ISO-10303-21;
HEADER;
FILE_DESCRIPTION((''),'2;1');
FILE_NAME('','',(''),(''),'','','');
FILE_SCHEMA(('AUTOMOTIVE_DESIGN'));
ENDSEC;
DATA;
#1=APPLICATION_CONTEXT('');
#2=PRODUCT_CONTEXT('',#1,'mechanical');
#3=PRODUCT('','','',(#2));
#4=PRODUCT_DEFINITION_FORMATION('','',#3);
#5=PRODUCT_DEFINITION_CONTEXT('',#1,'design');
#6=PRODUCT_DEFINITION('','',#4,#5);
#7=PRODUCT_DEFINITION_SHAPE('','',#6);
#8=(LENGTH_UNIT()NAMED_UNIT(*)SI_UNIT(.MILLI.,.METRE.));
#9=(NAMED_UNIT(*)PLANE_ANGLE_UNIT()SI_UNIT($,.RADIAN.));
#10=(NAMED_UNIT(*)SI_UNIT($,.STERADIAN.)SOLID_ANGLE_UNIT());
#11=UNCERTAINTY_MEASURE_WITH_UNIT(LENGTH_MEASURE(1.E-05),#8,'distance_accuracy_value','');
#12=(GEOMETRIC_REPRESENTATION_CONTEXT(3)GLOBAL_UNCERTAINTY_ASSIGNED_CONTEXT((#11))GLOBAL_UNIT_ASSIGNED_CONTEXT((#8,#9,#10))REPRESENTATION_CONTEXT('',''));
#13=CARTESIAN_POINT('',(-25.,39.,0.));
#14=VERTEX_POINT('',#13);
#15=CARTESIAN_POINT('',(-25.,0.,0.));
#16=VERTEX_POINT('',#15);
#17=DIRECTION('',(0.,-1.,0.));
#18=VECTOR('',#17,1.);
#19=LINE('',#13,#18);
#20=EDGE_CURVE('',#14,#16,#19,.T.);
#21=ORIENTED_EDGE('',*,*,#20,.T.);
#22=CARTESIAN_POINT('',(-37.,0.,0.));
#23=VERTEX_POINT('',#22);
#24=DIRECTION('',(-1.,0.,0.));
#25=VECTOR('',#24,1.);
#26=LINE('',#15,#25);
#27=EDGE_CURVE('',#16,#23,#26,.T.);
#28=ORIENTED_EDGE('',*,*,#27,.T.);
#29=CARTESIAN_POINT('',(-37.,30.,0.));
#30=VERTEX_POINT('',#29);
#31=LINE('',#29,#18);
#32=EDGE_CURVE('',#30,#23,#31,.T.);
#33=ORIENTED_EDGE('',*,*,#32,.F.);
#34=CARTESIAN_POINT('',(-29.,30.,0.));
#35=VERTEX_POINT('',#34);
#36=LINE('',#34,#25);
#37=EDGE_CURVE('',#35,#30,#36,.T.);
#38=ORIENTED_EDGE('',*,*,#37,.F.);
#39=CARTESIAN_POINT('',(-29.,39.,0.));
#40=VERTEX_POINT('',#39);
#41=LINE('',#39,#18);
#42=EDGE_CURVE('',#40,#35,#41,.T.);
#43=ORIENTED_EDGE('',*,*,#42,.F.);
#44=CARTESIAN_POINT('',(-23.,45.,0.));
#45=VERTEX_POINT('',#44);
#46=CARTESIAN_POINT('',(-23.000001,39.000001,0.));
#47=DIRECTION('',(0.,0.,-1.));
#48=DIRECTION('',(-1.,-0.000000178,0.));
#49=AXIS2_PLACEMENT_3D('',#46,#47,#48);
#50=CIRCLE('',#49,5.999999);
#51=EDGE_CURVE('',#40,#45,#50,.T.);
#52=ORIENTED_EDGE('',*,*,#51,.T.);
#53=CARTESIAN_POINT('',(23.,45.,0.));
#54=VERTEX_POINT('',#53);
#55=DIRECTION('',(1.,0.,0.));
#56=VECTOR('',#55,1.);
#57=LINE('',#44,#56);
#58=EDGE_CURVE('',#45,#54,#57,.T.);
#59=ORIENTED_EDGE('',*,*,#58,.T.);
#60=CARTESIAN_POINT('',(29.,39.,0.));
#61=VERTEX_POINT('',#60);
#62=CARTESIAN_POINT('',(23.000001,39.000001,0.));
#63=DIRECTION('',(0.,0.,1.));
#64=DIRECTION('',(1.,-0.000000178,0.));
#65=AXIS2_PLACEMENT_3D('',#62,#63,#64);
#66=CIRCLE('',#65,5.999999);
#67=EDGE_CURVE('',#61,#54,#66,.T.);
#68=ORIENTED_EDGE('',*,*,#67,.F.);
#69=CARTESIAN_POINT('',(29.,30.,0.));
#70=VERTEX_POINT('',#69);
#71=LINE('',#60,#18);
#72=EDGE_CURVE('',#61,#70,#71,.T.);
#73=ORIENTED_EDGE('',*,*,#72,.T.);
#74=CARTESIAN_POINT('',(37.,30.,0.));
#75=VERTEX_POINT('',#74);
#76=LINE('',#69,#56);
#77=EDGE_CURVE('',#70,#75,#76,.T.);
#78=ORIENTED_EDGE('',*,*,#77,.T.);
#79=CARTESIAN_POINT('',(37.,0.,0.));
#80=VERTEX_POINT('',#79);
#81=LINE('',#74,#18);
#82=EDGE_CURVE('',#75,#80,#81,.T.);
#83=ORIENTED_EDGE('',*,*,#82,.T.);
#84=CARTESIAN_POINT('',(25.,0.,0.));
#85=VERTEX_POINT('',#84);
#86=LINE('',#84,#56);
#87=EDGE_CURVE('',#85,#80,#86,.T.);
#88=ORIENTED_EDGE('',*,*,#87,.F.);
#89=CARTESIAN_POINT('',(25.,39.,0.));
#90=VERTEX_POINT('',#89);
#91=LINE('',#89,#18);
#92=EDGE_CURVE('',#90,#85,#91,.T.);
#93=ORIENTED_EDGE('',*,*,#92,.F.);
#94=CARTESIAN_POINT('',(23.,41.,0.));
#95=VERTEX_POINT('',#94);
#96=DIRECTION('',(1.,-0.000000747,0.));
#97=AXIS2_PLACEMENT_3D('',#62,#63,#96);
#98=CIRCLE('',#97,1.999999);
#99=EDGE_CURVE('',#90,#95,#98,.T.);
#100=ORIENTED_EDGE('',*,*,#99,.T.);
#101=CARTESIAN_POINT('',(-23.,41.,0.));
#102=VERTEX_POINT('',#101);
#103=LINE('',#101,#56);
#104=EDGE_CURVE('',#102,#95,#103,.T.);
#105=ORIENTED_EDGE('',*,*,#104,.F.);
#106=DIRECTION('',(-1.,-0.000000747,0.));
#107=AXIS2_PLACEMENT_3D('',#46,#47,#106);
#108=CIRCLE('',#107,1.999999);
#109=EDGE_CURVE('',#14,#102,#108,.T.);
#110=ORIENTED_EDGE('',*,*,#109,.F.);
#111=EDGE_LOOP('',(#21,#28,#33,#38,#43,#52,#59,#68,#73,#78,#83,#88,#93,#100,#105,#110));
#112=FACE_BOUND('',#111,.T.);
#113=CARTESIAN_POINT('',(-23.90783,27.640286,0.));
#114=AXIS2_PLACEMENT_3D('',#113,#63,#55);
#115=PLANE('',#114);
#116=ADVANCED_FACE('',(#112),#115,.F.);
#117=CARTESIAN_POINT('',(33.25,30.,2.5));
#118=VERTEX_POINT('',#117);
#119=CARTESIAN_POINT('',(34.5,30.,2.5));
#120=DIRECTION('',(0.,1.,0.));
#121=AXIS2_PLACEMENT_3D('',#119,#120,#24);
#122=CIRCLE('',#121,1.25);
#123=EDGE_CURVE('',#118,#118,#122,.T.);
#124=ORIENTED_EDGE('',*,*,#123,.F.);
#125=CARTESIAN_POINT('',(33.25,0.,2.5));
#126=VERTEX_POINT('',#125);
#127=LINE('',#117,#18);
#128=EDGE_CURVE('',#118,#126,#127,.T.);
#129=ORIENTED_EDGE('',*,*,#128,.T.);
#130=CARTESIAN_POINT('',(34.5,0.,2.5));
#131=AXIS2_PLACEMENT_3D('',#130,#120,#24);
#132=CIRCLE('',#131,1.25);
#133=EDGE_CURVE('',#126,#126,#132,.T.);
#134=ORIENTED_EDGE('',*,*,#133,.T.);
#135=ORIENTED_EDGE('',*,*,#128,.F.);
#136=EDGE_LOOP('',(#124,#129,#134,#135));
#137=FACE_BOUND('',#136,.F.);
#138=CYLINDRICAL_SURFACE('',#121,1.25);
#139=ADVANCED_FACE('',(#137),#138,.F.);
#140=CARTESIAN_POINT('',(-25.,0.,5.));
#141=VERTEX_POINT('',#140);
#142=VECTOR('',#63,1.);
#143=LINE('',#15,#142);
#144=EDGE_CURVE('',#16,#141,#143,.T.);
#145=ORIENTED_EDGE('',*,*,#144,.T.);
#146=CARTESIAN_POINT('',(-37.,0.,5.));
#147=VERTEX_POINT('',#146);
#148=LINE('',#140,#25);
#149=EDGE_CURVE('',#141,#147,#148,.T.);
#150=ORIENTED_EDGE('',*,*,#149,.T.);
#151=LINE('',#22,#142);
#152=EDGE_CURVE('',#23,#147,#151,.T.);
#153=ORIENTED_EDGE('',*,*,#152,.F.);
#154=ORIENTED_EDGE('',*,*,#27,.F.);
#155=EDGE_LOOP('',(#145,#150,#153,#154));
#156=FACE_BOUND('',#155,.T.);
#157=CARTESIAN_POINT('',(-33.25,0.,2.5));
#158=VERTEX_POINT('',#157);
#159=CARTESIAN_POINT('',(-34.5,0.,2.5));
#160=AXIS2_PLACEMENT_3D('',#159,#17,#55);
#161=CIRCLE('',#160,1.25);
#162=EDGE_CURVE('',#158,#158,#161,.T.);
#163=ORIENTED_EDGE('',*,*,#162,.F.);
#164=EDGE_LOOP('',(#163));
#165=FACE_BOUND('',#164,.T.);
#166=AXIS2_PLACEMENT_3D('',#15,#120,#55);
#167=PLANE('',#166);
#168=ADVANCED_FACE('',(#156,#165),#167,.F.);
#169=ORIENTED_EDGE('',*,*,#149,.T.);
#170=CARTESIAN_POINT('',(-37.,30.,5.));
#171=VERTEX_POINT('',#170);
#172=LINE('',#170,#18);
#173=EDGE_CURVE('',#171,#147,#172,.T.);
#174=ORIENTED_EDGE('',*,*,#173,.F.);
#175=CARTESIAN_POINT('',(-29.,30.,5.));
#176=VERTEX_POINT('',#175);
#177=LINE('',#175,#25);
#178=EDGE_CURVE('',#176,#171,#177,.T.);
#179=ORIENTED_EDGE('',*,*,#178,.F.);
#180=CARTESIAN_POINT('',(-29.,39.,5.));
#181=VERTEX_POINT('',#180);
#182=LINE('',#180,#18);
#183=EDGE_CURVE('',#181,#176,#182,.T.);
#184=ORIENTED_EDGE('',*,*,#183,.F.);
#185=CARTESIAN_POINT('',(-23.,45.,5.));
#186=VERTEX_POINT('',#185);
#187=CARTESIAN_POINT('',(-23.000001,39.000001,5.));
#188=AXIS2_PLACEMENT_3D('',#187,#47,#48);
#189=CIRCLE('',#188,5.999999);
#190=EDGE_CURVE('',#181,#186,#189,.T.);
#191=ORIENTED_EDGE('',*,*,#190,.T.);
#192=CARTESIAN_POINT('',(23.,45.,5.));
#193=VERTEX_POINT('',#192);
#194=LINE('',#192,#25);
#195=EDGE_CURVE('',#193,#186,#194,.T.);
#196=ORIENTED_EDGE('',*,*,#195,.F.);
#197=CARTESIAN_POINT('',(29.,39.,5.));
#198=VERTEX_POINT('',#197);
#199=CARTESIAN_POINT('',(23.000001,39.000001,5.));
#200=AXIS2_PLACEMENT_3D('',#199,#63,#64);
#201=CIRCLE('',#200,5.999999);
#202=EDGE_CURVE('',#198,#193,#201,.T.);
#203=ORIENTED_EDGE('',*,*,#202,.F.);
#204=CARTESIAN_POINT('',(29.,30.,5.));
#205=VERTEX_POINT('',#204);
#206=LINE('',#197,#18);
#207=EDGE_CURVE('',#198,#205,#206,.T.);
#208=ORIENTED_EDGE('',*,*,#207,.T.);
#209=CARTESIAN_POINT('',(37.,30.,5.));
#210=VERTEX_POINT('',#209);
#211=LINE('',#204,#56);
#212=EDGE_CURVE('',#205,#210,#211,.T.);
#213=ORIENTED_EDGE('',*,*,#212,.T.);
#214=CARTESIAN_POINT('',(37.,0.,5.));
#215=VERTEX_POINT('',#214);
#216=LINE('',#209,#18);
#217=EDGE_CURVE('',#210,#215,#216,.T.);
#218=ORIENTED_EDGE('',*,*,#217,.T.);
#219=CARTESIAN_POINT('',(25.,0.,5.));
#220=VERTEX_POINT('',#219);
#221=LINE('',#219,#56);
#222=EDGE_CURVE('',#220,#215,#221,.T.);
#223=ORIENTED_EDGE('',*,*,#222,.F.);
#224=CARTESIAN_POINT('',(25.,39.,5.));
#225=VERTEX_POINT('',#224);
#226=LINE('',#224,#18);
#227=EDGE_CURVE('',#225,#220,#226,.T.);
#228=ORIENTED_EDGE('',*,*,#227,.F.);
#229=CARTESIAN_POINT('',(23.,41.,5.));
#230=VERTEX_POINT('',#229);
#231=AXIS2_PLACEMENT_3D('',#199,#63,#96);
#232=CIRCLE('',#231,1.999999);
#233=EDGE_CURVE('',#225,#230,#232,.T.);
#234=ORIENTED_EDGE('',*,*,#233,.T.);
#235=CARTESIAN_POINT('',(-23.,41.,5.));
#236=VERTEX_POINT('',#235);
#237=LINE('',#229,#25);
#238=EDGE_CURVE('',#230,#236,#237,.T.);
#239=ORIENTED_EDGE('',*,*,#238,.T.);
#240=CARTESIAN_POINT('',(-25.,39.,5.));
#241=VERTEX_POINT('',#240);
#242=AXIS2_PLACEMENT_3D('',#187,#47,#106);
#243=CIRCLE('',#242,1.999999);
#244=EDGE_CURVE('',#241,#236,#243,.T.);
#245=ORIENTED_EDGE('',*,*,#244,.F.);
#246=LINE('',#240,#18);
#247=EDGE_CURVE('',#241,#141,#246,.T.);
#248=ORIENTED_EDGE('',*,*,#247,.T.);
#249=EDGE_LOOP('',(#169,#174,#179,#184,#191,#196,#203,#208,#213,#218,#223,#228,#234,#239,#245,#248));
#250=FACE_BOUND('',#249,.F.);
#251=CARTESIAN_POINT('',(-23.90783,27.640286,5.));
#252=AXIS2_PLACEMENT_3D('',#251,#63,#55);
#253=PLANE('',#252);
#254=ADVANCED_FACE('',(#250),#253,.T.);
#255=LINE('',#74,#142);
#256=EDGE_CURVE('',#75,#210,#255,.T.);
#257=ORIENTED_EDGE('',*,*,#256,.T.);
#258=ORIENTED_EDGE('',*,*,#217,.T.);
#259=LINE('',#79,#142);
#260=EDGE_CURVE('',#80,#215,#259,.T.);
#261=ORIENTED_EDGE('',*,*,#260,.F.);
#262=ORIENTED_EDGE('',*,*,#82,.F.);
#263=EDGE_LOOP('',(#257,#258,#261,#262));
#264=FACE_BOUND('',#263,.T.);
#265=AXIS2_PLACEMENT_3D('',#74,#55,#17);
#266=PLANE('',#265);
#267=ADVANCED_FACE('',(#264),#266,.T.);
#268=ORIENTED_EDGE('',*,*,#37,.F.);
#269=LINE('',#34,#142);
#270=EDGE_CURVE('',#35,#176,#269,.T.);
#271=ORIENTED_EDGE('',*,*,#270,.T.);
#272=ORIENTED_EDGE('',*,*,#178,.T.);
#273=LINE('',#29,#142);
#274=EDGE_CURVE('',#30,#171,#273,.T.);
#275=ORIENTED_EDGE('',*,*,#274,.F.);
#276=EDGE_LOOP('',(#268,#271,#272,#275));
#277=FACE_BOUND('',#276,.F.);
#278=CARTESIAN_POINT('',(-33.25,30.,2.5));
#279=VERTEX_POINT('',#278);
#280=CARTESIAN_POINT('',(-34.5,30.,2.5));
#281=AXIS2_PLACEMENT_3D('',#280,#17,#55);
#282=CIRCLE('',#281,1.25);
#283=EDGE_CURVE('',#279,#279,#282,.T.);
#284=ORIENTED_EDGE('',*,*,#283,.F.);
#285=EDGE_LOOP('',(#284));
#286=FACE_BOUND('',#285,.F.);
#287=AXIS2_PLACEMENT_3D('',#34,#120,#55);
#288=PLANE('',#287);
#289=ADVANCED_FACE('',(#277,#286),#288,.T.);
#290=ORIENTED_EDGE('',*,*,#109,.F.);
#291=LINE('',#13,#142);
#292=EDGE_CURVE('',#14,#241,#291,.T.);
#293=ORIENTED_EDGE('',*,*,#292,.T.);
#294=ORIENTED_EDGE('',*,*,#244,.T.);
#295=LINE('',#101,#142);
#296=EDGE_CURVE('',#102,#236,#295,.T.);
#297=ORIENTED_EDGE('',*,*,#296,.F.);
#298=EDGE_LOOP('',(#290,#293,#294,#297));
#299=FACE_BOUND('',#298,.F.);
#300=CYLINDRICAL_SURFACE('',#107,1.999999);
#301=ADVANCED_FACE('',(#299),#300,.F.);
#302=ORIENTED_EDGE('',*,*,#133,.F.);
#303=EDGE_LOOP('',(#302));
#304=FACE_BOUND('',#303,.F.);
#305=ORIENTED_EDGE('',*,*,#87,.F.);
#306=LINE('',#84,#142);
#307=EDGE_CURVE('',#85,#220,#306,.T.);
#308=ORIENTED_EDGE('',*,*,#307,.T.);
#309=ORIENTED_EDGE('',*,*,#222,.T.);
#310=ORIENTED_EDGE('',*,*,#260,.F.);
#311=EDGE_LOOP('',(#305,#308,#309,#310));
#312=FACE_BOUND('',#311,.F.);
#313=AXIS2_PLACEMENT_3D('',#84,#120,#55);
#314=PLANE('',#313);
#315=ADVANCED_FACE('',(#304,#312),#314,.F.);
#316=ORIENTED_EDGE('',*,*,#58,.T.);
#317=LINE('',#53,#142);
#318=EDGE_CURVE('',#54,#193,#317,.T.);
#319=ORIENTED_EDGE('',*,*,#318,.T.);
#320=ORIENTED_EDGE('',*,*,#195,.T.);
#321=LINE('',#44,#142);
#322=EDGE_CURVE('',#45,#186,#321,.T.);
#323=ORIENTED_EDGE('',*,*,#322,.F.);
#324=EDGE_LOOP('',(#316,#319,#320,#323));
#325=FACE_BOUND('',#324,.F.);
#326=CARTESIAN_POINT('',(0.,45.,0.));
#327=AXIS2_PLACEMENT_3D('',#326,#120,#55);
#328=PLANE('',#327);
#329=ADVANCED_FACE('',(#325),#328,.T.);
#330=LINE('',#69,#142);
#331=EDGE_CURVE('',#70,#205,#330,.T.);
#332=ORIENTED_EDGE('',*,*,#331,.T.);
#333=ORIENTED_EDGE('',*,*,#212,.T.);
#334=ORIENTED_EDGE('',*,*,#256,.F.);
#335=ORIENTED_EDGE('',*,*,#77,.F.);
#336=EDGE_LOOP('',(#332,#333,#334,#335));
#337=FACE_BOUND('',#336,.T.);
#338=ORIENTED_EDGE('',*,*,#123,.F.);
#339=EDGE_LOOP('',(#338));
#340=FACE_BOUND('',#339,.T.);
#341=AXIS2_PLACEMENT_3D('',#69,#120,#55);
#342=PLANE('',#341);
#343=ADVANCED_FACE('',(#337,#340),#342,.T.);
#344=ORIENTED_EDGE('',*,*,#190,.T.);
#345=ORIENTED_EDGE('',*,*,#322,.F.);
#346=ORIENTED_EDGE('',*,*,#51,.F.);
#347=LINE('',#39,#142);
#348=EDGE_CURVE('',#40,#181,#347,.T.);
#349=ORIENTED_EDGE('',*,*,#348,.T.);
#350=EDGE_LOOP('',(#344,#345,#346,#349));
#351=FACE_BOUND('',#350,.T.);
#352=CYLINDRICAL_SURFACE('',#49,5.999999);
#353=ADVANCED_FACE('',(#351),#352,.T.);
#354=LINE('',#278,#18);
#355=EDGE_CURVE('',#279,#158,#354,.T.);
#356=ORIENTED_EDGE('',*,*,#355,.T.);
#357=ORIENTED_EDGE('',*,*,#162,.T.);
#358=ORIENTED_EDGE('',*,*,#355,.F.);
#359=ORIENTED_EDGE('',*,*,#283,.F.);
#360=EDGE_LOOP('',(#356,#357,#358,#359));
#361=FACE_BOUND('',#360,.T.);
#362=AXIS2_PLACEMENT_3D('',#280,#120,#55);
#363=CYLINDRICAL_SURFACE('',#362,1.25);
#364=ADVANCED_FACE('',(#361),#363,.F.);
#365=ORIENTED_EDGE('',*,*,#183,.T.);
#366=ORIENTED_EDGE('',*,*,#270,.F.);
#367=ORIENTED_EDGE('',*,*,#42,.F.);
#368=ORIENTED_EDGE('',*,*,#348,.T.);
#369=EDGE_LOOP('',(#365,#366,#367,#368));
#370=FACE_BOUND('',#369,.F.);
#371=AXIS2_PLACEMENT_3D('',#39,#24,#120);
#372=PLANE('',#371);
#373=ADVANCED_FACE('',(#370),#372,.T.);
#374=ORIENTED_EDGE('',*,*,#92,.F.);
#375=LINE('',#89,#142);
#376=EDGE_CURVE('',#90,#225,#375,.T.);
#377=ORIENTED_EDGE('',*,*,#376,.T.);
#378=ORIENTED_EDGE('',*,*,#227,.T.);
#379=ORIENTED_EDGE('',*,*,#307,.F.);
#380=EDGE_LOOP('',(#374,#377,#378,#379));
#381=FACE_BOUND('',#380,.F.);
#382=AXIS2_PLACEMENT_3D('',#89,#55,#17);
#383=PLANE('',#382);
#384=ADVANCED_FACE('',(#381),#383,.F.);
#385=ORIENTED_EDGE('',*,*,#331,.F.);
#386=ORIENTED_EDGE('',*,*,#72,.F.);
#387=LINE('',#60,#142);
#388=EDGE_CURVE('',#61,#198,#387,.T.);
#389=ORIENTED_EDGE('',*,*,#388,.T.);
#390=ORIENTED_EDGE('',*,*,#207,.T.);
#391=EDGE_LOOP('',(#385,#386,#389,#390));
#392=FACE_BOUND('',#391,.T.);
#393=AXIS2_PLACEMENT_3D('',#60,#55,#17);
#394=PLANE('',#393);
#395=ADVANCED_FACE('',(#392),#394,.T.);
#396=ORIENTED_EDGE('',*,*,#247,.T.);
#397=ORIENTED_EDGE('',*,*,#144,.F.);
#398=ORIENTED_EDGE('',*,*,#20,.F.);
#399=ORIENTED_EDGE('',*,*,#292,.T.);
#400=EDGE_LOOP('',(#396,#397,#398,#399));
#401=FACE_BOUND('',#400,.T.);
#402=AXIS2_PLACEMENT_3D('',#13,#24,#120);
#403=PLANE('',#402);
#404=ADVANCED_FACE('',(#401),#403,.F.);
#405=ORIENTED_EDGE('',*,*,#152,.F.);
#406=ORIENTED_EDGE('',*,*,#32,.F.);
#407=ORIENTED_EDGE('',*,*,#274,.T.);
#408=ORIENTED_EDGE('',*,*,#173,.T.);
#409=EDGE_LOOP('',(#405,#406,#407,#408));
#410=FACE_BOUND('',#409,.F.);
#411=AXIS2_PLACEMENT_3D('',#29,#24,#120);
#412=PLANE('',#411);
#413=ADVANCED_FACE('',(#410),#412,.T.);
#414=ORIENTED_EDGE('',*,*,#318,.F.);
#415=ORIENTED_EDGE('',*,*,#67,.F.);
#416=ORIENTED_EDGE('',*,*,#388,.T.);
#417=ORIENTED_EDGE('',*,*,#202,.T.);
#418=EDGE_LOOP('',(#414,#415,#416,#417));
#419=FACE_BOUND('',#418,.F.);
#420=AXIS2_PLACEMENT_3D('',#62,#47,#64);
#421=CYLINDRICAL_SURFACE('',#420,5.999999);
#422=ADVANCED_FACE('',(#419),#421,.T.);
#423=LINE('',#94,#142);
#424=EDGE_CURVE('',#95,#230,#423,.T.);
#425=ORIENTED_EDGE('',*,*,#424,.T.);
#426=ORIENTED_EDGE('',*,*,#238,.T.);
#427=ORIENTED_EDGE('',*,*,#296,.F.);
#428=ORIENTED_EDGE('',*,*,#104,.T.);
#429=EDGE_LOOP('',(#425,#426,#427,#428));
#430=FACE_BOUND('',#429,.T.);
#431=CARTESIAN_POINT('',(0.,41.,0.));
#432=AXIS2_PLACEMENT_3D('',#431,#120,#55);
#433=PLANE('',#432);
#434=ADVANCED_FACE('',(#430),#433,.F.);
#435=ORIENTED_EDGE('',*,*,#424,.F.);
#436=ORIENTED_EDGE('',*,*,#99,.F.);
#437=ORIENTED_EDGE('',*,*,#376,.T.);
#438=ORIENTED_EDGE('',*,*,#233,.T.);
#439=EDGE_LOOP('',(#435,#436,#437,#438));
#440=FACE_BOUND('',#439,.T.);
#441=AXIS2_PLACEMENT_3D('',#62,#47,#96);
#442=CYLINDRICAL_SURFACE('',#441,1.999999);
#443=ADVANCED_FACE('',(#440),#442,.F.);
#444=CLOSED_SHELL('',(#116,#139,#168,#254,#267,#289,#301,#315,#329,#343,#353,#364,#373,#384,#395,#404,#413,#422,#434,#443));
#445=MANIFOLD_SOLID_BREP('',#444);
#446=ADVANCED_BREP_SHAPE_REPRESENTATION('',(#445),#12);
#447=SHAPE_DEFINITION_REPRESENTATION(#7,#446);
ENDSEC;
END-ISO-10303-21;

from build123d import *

# Parameters (mm, degrees)
PAD_DEPTH    = 5
SKETCH001_R  = 1.25
POCKET_DEPTH = 30.001


with BuildPart() as part:
    # Sketch → Pad (new body)
    with BuildSketch(Plane.XY):
        with BuildLine():
            Line((0, 41), (23, 41))
            ThreePointArc((25, 39), (24.414214, 40.414214), (23, 41))
            Line((25, 39), (25, 0))
            Line((25, 0), (37, 0))
            Line((37, 30), (37, 0))
            Line((29, 30), (37, 30))
            Line((29, 39), (29, 30))
            ThreePointArc((29, 39), (27.242641, 43.242641), (23, 45))
            Line((0, 45), (23, 45))
            Line((0, 45), (0, 41))
        make_face()
    extrude(amount=PAD_DEPTH)

    # Sketch001 (on Face7 of Pad) → Pocket (cut, through all)
    with BuildSketch(Plane(origin=(0, 30, 0), x_dir=(-1, 0, 0), z_dir=(0, 1, 0))):
        with Locations((-34.5, 2.5)):
            Circle(SKETCH001_R)
    extrude(amount=-POCKET_DEPTH, mode=Mode.SUBTRACT)

    # Mirrored: part across YZ


with BuildPart() as part_1:
    add(part.part)
    add(part.part.mirror(Plane.YZ))


solid = part_1.part
